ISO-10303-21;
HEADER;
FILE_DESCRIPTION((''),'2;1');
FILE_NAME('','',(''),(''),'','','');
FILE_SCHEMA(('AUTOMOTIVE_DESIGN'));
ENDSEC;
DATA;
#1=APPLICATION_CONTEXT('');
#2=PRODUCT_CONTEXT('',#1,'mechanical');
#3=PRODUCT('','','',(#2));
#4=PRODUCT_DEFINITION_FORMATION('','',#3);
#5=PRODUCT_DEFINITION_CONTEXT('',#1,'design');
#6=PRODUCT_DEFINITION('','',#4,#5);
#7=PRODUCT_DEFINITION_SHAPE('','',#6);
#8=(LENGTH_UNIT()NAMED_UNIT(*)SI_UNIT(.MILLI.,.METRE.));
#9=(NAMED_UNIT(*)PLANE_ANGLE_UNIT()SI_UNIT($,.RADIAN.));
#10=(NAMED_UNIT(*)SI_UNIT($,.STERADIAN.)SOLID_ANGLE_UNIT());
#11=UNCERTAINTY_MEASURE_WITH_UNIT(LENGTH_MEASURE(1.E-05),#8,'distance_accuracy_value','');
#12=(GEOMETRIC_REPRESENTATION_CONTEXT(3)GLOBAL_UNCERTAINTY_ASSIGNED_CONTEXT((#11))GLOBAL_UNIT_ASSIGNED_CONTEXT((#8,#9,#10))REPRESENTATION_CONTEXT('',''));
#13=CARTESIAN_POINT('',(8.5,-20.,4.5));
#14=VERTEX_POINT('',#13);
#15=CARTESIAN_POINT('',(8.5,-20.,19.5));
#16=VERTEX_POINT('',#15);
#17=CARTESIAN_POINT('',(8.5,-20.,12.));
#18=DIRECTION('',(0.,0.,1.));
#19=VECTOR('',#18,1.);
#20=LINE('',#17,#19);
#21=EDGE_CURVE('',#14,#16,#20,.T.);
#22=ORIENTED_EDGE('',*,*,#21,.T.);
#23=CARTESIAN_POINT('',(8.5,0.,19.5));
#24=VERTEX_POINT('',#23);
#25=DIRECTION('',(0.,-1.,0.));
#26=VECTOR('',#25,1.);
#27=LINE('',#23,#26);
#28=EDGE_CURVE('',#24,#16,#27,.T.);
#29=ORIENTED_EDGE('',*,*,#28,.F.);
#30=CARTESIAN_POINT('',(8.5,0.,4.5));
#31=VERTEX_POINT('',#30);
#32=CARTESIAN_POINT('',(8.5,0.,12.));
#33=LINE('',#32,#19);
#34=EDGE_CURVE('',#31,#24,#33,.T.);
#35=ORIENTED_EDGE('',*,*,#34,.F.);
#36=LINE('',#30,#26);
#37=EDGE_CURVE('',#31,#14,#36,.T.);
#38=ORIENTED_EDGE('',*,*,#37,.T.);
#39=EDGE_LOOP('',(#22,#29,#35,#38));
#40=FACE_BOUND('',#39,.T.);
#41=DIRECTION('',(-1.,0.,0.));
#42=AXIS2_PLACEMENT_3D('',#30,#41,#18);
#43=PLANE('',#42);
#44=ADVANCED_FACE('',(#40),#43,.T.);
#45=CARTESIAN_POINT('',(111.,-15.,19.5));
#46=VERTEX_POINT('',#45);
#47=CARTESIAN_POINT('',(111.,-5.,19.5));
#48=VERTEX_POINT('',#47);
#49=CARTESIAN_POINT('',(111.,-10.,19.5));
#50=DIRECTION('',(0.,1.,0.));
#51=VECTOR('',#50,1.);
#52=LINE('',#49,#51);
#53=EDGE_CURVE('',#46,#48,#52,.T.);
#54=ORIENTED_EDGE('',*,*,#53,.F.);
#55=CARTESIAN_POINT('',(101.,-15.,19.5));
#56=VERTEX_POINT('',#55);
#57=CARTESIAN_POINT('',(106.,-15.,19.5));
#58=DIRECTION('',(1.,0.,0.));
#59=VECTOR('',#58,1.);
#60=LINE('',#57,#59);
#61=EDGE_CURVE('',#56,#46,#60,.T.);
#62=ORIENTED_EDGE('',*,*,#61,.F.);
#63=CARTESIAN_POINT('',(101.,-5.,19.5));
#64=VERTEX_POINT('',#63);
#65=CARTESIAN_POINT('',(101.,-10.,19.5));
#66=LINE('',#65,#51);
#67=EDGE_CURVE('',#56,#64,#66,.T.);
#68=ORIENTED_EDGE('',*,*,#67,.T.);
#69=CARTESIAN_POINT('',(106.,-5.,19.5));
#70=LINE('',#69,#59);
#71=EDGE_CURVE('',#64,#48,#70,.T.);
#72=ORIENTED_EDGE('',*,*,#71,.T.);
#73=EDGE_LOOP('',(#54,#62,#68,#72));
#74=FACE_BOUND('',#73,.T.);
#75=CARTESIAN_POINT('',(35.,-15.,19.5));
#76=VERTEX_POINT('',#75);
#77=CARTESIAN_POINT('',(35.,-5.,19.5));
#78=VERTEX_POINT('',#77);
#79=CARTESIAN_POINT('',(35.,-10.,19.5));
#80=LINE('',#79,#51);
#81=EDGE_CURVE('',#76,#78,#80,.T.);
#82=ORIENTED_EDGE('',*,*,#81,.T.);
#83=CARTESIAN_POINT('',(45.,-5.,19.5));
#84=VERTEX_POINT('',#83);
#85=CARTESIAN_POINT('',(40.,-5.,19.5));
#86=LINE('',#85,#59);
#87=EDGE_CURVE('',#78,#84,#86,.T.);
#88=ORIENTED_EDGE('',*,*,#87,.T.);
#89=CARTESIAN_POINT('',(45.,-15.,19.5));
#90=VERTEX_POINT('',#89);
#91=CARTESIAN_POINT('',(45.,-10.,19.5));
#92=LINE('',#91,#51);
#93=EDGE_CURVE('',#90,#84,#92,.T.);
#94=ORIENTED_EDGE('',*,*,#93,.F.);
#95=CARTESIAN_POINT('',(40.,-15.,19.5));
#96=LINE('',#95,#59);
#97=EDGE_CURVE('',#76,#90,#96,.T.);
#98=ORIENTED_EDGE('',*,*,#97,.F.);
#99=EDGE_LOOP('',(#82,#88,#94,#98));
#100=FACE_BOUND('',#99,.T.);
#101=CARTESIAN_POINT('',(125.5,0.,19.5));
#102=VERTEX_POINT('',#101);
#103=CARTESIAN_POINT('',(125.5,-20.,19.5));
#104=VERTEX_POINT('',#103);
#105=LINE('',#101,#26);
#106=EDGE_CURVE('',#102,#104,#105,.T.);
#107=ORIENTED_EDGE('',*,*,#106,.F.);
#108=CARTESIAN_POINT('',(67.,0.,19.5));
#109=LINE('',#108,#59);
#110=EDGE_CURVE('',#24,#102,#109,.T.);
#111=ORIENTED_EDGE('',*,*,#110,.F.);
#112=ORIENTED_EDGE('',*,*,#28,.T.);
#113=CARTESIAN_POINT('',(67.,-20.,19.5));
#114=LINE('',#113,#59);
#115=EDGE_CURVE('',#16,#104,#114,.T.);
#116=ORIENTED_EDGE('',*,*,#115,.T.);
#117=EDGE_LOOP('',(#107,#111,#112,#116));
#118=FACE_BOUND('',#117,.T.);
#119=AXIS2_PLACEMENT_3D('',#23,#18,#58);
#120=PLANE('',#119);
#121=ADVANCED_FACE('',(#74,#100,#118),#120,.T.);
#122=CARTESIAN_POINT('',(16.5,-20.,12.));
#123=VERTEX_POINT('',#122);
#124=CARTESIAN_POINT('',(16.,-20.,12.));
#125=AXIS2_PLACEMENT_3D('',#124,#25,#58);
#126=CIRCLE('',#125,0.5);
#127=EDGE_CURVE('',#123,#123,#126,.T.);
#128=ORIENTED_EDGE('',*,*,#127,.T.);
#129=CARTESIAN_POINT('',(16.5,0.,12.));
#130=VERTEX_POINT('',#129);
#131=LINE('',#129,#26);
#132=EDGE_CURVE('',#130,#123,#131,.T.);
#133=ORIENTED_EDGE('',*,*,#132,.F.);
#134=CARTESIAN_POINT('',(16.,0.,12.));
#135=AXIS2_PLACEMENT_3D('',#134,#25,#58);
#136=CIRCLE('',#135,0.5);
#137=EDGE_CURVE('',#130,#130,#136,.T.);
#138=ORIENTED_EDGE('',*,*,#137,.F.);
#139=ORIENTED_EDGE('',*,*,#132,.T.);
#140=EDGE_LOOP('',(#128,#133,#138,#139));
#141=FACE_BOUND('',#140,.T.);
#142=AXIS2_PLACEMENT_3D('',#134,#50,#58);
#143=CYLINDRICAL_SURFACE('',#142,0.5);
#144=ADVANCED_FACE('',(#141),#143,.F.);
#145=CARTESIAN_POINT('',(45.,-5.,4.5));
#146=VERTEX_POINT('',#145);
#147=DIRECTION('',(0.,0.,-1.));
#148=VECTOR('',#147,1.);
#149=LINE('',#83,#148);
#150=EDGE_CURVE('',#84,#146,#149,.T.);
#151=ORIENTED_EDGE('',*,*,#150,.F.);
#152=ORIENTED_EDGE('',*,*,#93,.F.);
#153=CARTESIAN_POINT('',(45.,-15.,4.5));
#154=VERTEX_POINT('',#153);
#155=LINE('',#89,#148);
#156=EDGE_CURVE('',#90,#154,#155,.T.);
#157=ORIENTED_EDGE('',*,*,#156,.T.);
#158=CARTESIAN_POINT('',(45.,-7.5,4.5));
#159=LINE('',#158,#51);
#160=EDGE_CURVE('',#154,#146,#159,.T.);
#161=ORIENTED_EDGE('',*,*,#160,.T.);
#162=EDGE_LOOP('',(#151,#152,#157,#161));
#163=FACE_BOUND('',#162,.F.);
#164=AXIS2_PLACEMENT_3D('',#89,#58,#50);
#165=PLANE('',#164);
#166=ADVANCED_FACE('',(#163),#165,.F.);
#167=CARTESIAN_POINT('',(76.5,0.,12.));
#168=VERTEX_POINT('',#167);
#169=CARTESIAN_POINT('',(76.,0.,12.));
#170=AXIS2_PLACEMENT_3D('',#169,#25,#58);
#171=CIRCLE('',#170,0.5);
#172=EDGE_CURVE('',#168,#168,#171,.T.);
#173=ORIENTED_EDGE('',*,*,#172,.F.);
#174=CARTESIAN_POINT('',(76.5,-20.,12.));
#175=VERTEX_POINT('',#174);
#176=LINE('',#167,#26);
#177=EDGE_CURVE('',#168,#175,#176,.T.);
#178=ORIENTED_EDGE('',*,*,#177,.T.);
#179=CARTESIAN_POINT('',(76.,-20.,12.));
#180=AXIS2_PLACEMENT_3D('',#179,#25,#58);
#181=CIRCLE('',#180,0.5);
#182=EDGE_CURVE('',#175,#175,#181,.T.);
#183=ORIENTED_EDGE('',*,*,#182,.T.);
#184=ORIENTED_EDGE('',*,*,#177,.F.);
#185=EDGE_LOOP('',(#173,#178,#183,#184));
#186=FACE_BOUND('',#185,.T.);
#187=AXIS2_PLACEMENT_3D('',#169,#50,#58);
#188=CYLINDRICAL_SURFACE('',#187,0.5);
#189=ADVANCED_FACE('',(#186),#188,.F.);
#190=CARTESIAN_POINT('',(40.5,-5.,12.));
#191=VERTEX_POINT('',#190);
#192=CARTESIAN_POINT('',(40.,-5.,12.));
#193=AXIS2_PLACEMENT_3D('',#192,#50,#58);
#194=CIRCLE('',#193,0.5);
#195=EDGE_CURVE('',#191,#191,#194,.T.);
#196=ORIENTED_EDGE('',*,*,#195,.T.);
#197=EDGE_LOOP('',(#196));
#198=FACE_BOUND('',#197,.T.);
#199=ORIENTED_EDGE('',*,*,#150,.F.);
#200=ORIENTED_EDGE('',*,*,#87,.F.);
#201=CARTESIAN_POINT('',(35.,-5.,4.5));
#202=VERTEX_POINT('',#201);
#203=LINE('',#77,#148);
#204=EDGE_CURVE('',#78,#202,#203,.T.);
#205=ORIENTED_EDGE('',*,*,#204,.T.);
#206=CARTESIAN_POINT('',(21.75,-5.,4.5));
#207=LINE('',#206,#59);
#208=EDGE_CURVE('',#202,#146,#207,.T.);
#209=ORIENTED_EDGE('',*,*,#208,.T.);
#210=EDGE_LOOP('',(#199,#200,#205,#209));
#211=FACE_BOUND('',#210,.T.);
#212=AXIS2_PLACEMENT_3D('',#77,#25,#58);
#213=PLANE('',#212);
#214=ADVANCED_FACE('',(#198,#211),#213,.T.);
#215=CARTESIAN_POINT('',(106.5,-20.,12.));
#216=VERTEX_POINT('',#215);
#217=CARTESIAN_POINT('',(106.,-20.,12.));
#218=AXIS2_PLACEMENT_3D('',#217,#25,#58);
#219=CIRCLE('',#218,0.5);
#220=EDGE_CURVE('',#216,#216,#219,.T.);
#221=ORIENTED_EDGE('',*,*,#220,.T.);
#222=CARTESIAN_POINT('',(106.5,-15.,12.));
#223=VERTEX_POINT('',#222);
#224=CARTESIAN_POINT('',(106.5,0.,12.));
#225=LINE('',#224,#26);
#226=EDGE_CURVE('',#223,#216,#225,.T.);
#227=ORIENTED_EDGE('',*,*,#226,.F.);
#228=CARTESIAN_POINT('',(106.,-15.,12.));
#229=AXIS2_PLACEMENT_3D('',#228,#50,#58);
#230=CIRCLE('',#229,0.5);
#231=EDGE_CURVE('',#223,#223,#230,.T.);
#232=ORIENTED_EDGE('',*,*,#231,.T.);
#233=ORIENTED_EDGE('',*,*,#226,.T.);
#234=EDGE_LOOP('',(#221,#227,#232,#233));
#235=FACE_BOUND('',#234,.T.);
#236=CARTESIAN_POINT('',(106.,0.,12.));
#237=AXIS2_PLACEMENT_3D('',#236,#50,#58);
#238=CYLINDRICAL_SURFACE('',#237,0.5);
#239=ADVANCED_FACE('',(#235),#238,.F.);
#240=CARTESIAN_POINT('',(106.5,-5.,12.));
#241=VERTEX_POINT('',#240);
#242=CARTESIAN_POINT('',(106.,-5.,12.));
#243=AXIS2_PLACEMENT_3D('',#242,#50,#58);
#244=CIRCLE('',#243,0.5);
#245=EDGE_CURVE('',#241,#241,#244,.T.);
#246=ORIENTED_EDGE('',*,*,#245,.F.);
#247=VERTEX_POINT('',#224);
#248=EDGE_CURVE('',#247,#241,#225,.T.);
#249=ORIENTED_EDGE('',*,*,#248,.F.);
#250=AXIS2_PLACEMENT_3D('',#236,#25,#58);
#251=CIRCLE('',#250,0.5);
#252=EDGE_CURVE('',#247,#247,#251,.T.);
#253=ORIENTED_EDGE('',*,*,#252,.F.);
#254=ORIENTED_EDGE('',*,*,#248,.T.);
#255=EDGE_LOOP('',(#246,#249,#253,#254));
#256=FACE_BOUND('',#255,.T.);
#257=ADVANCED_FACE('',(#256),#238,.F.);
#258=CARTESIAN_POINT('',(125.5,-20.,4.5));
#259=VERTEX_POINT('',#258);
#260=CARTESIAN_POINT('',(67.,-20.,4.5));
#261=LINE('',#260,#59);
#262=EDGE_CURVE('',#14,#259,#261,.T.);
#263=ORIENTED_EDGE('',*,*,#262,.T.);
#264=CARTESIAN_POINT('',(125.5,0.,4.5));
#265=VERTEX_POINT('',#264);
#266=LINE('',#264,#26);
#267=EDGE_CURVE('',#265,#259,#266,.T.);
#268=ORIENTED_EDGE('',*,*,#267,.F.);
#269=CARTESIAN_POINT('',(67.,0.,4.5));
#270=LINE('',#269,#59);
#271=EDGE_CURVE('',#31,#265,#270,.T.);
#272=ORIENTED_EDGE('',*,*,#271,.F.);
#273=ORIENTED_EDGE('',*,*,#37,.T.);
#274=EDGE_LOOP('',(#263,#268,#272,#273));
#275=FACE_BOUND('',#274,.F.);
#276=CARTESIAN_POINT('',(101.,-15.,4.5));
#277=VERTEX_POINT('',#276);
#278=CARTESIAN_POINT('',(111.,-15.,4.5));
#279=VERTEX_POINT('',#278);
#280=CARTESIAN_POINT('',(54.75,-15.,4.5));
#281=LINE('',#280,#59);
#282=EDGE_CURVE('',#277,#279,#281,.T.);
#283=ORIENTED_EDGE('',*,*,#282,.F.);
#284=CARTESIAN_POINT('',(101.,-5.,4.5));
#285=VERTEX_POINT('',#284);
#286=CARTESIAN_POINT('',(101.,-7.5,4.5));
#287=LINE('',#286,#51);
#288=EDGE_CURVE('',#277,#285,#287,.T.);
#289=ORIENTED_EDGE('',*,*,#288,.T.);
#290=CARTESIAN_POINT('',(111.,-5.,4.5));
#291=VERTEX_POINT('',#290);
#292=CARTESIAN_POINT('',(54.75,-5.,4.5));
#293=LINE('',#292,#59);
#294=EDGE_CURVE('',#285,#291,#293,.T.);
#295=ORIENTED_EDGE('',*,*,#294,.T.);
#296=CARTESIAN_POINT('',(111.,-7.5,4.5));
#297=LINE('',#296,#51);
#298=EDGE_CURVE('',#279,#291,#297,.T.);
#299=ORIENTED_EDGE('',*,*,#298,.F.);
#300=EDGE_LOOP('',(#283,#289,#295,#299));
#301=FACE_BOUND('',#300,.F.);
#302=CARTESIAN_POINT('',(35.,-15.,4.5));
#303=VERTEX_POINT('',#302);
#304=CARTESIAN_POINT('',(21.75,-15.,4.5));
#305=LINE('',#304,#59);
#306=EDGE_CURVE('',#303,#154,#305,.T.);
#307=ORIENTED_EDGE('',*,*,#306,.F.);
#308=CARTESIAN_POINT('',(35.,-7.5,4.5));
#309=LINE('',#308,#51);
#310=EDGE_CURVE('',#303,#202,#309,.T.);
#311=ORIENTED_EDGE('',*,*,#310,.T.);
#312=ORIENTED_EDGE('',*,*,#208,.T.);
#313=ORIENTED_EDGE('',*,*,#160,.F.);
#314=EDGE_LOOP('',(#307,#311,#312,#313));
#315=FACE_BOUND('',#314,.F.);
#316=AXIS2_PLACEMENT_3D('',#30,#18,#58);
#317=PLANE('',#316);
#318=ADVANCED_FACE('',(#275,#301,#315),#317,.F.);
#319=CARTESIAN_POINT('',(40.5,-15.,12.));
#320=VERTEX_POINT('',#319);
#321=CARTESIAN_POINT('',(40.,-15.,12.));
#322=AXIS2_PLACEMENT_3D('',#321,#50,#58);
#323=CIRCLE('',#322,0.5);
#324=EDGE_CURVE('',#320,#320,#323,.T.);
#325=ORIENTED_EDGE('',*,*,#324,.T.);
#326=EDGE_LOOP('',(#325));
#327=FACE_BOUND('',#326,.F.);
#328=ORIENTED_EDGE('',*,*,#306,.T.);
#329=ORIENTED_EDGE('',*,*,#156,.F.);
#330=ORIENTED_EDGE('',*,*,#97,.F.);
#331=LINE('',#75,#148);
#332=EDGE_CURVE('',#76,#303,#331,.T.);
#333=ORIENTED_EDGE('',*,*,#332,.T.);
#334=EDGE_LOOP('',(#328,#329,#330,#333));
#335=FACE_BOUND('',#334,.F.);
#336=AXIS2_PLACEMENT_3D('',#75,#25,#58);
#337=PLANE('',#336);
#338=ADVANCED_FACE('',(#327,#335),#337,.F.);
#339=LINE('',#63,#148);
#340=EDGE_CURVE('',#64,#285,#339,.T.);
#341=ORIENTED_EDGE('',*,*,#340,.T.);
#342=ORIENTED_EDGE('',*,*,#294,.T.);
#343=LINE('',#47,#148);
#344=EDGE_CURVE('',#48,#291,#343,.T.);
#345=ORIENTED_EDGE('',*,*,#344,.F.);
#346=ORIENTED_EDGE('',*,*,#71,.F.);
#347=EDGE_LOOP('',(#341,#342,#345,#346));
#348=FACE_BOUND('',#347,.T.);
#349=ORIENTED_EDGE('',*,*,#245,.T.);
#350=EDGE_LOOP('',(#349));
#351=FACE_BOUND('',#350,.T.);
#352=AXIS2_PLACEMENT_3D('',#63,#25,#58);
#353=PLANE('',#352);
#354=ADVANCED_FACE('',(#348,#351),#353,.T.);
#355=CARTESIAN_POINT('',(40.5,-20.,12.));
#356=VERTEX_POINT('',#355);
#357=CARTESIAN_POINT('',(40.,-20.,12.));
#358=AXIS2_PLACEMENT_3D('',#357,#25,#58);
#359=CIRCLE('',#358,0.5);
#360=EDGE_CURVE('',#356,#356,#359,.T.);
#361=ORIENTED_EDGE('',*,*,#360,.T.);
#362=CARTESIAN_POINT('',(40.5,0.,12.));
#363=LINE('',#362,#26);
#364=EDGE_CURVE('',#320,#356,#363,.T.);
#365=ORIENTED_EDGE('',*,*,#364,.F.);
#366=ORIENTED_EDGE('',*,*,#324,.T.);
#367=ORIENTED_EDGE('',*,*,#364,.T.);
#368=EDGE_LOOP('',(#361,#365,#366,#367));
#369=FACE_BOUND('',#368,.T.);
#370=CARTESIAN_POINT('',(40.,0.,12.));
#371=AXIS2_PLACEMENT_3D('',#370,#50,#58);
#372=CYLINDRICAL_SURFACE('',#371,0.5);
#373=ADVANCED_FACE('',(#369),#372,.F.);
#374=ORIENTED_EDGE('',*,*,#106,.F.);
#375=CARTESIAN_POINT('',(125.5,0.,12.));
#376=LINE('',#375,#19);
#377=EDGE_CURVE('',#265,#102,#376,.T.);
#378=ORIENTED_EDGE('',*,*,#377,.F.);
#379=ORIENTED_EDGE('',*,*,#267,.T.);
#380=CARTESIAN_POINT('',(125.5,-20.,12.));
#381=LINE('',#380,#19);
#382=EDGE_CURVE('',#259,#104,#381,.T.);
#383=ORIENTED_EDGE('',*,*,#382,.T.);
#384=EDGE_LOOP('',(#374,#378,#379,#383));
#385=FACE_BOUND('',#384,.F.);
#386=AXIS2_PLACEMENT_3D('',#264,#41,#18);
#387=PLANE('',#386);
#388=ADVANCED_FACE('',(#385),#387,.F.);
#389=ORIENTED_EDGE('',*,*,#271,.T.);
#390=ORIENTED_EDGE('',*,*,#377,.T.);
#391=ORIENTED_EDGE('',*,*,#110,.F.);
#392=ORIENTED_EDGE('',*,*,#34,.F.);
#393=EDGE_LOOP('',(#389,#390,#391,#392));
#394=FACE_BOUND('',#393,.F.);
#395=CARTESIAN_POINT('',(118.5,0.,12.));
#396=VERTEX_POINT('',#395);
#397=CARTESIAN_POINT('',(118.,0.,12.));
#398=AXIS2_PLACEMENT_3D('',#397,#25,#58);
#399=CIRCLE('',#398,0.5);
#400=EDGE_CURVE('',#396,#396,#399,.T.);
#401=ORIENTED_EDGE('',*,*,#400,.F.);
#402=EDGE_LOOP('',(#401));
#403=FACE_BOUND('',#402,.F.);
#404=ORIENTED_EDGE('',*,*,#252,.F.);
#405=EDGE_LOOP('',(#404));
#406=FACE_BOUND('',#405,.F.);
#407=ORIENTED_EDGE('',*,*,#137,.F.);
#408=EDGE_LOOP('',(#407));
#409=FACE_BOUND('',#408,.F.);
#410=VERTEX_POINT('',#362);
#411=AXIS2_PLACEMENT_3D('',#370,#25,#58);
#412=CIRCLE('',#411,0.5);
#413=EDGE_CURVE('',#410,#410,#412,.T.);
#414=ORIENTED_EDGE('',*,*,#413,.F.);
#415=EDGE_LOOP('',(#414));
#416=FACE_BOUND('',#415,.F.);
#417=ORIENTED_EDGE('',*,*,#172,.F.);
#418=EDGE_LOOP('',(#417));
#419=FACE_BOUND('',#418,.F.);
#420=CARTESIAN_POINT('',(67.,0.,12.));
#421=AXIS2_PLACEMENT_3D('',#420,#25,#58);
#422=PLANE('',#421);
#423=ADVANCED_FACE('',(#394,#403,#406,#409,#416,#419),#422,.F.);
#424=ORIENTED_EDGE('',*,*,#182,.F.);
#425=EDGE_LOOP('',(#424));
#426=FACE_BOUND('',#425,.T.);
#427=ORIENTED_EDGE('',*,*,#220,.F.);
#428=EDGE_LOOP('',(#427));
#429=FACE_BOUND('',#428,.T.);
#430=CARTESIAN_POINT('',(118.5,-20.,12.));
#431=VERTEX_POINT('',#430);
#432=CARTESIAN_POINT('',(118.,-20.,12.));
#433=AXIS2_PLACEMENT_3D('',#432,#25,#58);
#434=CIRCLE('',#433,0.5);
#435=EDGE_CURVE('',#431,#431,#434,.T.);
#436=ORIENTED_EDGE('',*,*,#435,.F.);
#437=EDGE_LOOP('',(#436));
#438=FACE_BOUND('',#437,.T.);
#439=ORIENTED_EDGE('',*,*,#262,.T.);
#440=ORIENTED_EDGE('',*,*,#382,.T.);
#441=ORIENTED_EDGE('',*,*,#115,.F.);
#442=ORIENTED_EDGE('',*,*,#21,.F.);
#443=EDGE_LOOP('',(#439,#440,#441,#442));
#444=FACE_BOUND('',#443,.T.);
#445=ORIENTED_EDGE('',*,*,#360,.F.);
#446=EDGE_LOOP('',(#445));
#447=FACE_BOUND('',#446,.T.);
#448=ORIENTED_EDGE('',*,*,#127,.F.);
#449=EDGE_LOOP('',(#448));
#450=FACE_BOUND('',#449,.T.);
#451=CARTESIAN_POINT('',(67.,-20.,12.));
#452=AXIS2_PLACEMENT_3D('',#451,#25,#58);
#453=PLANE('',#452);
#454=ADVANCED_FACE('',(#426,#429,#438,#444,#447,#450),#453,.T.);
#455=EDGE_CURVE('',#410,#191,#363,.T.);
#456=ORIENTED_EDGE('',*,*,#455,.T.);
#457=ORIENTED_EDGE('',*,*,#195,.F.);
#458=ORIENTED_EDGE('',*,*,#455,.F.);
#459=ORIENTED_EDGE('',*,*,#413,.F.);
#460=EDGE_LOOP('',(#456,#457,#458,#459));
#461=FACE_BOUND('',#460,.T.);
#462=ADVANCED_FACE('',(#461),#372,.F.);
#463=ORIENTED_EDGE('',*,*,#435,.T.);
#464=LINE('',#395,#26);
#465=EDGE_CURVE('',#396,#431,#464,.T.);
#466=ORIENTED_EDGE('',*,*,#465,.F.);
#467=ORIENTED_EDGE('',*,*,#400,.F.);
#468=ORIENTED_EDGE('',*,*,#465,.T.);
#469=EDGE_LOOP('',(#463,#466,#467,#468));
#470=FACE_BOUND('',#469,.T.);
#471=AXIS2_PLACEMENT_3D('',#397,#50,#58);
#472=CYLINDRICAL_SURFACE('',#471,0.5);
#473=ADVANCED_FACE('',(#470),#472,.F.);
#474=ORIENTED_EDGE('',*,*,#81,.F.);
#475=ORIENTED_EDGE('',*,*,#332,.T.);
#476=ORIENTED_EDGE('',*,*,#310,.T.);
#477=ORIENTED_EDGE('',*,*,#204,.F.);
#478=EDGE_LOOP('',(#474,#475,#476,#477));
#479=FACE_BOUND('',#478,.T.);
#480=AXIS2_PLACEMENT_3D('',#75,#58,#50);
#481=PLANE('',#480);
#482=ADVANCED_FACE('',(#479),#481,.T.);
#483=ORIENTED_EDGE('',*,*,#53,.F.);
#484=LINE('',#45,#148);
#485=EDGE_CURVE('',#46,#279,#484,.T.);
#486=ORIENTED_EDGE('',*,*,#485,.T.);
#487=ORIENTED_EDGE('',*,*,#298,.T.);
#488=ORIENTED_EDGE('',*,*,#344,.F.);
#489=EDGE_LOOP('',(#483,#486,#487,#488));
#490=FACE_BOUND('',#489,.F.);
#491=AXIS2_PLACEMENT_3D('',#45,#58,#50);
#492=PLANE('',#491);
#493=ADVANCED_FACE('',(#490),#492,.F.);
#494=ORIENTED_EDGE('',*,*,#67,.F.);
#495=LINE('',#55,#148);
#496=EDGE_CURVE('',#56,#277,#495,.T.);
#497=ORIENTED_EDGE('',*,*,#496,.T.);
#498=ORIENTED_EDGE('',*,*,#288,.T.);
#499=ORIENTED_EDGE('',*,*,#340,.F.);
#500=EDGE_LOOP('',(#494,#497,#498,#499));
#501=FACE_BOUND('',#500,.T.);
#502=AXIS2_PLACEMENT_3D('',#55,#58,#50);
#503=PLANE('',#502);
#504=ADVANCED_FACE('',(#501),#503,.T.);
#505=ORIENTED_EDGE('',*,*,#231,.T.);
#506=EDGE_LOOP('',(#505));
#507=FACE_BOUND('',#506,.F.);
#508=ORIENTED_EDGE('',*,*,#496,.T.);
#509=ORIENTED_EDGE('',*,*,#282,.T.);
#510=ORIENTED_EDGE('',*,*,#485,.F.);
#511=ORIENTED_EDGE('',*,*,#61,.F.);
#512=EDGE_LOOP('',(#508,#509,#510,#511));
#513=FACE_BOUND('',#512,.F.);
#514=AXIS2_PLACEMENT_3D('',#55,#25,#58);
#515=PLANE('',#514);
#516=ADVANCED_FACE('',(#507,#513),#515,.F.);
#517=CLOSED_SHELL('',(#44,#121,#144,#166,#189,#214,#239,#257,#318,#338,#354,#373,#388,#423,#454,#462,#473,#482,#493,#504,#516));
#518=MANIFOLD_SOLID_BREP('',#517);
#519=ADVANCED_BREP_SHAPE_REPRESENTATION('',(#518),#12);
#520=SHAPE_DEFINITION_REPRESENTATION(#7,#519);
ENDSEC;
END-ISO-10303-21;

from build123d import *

# Parameters (mm, degrees)
F0_W     = 117
F0_H     = 15
F0_R     = 0.5
F1_DEPTH = 20
F2_W     = 10
F2_H     = 10
F3_DEPTH = 37


with BuildPart() as f1:
    # F0 (on Front) → F1 (new body)
    with BuildSketch(Plane.XZ):
        with Locations((67, 12)):
            Rectangle(F0_W, F0_H)
        with Locations((16, 12)):
            Circle(F0_R, mode=Mode.SUBTRACT)
        with Locations((40, 12)):
            Circle(F0_R, mode=Mode.SUBTRACT)
        with Locations((76, 12)):
            Circle(F0_R, mode=Mode.SUBTRACT)
        with Locations((106, 12)):
            Circle(F0_R, mode=Mode.SUBTRACT)
        with Locations((118, 12)):
            Circle(F0_R, mode=Mode.SUBTRACT)
    extrude(amount=F1_DEPTH)

    # F2 (on face) → F3 (cut)
    with BuildSketch(Plane.XY.offset(19.5)):
        with Locations((40, -10)):
            Rectangle(F2_W, F2_H)
        with Locations((106, -10)):
            Rectangle(F2_W, F2_H)
    extrude(amount=-F3_DEPTH, mode=Mode.SUBTRACT)


solid = f1.part
